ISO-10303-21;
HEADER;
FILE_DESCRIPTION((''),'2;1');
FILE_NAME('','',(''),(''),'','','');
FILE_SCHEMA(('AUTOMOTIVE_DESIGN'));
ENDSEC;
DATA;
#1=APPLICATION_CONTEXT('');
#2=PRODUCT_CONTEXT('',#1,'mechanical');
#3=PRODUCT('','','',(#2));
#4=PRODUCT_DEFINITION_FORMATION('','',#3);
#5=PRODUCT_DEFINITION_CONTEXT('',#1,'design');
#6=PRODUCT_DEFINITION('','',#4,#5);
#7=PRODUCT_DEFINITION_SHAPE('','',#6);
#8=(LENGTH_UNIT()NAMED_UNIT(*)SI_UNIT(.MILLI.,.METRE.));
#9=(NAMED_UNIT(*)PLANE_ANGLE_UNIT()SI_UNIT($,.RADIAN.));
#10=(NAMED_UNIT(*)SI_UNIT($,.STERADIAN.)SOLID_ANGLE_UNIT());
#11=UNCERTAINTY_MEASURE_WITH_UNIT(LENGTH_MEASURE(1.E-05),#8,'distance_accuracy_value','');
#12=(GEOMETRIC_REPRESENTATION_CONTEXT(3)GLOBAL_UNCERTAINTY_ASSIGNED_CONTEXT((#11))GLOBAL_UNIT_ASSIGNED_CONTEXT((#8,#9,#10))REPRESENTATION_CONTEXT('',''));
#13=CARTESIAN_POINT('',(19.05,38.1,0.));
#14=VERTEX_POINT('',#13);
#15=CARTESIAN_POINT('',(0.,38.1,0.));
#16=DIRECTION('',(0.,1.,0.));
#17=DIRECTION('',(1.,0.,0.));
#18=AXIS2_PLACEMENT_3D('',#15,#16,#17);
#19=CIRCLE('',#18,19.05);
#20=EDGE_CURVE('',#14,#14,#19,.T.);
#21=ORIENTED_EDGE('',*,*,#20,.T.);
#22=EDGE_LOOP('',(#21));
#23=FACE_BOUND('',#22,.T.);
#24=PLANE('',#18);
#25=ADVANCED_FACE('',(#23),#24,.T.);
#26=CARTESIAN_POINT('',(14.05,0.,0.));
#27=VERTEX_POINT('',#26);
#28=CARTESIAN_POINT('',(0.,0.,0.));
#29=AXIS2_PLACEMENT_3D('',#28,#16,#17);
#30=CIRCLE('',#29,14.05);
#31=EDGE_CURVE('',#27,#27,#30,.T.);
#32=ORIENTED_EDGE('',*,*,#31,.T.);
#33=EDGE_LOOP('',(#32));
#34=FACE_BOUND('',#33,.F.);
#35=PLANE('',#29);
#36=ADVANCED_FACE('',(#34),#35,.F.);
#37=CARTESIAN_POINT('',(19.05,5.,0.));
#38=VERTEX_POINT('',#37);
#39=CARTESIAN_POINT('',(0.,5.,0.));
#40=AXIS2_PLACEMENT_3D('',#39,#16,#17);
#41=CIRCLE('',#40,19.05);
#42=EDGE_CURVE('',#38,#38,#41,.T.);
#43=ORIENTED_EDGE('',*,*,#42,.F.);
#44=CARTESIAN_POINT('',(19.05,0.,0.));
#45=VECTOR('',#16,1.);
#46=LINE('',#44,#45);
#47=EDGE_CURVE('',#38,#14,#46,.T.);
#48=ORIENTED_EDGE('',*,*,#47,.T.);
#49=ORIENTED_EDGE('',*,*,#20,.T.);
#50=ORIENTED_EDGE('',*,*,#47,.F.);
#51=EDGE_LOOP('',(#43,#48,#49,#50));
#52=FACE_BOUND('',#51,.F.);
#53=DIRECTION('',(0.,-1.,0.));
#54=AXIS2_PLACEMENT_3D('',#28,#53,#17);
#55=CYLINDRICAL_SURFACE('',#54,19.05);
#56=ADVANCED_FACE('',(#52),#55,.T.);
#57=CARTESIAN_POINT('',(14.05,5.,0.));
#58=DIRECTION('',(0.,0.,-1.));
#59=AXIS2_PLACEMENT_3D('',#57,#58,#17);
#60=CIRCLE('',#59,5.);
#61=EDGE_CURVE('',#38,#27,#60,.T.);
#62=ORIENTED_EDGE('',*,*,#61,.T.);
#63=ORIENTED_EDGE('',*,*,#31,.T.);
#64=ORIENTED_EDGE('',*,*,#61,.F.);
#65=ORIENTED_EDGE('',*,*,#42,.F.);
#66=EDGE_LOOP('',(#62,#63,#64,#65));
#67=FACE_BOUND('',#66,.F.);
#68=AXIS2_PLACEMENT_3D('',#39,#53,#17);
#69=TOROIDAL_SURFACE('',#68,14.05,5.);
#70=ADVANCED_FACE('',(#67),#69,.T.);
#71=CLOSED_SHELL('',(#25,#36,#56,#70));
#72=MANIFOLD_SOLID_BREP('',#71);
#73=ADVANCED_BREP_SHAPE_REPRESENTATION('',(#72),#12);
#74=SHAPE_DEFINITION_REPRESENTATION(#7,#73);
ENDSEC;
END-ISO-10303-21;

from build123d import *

# Parameters (mm, degrees)
SKETCH1_R           = 19.05
BOSS_EXTRUDE1_DEPTH = 38.1
FILLET1_R           = 5


with BuildPart() as part:
    # Sketch1 → Boss-Extrude1 (new body)
    with BuildSketch(Plane(origin=(0, 0, 0), x_dir=(1, 0, 0), z_dir=(0, 1, 0))):
        Circle(SKETCH1_R)
    extrude(amount=BOSS_EXTRUDE1_DEPTH)

    # Fillet1
    fillet1_edges = [part.edges().sort_by_distance(p)[0] for p in [
        (-19.05, 0, 0),
    ]]
    fillet(fillet1_edges, radius=FILLET1_R)


solid = part.part
